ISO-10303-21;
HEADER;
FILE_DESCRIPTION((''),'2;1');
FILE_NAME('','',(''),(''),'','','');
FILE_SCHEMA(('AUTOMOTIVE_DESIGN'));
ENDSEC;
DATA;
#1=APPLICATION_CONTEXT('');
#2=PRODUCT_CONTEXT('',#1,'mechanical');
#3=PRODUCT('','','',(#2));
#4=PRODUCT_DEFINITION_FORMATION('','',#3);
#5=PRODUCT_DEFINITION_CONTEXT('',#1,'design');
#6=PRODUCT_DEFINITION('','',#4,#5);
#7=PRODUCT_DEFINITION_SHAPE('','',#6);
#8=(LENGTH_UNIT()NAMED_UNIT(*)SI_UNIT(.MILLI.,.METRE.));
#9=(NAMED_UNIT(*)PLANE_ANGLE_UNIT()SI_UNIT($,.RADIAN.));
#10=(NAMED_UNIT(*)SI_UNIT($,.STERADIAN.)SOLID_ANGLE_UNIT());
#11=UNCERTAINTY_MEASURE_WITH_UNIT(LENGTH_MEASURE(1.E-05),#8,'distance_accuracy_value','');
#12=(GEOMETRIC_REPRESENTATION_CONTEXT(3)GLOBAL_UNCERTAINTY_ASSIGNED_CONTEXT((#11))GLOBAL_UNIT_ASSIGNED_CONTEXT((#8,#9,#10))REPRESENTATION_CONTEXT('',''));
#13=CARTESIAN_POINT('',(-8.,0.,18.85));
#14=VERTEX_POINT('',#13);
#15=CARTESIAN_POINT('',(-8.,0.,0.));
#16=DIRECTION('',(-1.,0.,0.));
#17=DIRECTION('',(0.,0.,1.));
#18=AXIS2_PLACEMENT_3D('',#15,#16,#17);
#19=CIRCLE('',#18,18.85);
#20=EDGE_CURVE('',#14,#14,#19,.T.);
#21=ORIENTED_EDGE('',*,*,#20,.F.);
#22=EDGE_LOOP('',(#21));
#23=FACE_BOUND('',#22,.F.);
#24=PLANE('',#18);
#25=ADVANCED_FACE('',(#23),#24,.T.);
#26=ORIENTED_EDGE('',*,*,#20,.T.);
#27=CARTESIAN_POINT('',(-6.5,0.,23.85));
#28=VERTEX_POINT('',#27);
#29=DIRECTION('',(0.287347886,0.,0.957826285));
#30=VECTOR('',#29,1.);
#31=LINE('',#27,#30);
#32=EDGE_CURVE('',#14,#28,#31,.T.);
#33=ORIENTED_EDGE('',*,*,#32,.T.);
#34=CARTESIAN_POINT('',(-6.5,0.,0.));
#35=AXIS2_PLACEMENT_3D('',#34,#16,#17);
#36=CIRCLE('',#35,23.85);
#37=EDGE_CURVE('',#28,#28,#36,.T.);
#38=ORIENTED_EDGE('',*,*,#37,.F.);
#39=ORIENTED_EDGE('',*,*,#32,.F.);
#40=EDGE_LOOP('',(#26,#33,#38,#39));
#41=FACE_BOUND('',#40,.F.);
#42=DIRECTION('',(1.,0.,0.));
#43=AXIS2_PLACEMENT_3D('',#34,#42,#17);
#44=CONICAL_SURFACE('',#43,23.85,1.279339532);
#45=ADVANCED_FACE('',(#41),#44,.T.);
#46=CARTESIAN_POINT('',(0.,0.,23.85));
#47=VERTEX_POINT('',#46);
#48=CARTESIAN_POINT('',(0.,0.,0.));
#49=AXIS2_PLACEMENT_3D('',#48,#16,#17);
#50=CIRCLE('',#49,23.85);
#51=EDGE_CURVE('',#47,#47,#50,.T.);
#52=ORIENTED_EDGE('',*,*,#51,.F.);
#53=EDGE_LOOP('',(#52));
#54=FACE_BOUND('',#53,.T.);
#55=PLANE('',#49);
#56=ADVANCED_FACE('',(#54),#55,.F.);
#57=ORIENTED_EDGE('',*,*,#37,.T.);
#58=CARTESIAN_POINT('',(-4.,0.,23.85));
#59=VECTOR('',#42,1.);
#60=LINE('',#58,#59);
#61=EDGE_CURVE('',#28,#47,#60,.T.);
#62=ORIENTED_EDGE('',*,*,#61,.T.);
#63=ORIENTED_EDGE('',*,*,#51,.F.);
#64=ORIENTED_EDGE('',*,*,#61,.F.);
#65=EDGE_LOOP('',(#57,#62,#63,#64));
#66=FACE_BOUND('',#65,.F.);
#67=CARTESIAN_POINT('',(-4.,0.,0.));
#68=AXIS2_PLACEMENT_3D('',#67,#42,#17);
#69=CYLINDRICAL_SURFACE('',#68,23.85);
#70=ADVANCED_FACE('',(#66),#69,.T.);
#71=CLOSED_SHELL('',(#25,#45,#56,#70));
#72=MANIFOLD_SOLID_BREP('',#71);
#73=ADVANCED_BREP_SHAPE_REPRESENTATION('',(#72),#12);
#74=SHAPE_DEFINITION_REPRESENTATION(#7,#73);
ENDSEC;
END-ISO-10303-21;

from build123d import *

# Parameters (mm, degrees)
F0_W     = 8
F0_H     = 23.85
F2_SIZE2 = 1.5
F2_SIZE  = 5


with BuildPart() as f1:
    # F0 (on Front) → F1 (revolve)
    with BuildSketch(Plane.XZ):
        with Locations((-4, 11.925)):
            Rectangle(F0_W, F0_H)
    revolve(axis=Axis((-4, 0, 0), (-1, 0, 0)))

    # F2
    f2_edges = [f1.edges().sort_by_distance(p)[0] for p in [
        (-8, 0, -23.85),
    ]]
    f2_side = f1.faces().sort_by_distance((-8, 0, 0))[0]
    chamfer(f2_edges, length=F2_SIZE, length2=F2_SIZE2, reference=f2_side)


solid = f1.part
